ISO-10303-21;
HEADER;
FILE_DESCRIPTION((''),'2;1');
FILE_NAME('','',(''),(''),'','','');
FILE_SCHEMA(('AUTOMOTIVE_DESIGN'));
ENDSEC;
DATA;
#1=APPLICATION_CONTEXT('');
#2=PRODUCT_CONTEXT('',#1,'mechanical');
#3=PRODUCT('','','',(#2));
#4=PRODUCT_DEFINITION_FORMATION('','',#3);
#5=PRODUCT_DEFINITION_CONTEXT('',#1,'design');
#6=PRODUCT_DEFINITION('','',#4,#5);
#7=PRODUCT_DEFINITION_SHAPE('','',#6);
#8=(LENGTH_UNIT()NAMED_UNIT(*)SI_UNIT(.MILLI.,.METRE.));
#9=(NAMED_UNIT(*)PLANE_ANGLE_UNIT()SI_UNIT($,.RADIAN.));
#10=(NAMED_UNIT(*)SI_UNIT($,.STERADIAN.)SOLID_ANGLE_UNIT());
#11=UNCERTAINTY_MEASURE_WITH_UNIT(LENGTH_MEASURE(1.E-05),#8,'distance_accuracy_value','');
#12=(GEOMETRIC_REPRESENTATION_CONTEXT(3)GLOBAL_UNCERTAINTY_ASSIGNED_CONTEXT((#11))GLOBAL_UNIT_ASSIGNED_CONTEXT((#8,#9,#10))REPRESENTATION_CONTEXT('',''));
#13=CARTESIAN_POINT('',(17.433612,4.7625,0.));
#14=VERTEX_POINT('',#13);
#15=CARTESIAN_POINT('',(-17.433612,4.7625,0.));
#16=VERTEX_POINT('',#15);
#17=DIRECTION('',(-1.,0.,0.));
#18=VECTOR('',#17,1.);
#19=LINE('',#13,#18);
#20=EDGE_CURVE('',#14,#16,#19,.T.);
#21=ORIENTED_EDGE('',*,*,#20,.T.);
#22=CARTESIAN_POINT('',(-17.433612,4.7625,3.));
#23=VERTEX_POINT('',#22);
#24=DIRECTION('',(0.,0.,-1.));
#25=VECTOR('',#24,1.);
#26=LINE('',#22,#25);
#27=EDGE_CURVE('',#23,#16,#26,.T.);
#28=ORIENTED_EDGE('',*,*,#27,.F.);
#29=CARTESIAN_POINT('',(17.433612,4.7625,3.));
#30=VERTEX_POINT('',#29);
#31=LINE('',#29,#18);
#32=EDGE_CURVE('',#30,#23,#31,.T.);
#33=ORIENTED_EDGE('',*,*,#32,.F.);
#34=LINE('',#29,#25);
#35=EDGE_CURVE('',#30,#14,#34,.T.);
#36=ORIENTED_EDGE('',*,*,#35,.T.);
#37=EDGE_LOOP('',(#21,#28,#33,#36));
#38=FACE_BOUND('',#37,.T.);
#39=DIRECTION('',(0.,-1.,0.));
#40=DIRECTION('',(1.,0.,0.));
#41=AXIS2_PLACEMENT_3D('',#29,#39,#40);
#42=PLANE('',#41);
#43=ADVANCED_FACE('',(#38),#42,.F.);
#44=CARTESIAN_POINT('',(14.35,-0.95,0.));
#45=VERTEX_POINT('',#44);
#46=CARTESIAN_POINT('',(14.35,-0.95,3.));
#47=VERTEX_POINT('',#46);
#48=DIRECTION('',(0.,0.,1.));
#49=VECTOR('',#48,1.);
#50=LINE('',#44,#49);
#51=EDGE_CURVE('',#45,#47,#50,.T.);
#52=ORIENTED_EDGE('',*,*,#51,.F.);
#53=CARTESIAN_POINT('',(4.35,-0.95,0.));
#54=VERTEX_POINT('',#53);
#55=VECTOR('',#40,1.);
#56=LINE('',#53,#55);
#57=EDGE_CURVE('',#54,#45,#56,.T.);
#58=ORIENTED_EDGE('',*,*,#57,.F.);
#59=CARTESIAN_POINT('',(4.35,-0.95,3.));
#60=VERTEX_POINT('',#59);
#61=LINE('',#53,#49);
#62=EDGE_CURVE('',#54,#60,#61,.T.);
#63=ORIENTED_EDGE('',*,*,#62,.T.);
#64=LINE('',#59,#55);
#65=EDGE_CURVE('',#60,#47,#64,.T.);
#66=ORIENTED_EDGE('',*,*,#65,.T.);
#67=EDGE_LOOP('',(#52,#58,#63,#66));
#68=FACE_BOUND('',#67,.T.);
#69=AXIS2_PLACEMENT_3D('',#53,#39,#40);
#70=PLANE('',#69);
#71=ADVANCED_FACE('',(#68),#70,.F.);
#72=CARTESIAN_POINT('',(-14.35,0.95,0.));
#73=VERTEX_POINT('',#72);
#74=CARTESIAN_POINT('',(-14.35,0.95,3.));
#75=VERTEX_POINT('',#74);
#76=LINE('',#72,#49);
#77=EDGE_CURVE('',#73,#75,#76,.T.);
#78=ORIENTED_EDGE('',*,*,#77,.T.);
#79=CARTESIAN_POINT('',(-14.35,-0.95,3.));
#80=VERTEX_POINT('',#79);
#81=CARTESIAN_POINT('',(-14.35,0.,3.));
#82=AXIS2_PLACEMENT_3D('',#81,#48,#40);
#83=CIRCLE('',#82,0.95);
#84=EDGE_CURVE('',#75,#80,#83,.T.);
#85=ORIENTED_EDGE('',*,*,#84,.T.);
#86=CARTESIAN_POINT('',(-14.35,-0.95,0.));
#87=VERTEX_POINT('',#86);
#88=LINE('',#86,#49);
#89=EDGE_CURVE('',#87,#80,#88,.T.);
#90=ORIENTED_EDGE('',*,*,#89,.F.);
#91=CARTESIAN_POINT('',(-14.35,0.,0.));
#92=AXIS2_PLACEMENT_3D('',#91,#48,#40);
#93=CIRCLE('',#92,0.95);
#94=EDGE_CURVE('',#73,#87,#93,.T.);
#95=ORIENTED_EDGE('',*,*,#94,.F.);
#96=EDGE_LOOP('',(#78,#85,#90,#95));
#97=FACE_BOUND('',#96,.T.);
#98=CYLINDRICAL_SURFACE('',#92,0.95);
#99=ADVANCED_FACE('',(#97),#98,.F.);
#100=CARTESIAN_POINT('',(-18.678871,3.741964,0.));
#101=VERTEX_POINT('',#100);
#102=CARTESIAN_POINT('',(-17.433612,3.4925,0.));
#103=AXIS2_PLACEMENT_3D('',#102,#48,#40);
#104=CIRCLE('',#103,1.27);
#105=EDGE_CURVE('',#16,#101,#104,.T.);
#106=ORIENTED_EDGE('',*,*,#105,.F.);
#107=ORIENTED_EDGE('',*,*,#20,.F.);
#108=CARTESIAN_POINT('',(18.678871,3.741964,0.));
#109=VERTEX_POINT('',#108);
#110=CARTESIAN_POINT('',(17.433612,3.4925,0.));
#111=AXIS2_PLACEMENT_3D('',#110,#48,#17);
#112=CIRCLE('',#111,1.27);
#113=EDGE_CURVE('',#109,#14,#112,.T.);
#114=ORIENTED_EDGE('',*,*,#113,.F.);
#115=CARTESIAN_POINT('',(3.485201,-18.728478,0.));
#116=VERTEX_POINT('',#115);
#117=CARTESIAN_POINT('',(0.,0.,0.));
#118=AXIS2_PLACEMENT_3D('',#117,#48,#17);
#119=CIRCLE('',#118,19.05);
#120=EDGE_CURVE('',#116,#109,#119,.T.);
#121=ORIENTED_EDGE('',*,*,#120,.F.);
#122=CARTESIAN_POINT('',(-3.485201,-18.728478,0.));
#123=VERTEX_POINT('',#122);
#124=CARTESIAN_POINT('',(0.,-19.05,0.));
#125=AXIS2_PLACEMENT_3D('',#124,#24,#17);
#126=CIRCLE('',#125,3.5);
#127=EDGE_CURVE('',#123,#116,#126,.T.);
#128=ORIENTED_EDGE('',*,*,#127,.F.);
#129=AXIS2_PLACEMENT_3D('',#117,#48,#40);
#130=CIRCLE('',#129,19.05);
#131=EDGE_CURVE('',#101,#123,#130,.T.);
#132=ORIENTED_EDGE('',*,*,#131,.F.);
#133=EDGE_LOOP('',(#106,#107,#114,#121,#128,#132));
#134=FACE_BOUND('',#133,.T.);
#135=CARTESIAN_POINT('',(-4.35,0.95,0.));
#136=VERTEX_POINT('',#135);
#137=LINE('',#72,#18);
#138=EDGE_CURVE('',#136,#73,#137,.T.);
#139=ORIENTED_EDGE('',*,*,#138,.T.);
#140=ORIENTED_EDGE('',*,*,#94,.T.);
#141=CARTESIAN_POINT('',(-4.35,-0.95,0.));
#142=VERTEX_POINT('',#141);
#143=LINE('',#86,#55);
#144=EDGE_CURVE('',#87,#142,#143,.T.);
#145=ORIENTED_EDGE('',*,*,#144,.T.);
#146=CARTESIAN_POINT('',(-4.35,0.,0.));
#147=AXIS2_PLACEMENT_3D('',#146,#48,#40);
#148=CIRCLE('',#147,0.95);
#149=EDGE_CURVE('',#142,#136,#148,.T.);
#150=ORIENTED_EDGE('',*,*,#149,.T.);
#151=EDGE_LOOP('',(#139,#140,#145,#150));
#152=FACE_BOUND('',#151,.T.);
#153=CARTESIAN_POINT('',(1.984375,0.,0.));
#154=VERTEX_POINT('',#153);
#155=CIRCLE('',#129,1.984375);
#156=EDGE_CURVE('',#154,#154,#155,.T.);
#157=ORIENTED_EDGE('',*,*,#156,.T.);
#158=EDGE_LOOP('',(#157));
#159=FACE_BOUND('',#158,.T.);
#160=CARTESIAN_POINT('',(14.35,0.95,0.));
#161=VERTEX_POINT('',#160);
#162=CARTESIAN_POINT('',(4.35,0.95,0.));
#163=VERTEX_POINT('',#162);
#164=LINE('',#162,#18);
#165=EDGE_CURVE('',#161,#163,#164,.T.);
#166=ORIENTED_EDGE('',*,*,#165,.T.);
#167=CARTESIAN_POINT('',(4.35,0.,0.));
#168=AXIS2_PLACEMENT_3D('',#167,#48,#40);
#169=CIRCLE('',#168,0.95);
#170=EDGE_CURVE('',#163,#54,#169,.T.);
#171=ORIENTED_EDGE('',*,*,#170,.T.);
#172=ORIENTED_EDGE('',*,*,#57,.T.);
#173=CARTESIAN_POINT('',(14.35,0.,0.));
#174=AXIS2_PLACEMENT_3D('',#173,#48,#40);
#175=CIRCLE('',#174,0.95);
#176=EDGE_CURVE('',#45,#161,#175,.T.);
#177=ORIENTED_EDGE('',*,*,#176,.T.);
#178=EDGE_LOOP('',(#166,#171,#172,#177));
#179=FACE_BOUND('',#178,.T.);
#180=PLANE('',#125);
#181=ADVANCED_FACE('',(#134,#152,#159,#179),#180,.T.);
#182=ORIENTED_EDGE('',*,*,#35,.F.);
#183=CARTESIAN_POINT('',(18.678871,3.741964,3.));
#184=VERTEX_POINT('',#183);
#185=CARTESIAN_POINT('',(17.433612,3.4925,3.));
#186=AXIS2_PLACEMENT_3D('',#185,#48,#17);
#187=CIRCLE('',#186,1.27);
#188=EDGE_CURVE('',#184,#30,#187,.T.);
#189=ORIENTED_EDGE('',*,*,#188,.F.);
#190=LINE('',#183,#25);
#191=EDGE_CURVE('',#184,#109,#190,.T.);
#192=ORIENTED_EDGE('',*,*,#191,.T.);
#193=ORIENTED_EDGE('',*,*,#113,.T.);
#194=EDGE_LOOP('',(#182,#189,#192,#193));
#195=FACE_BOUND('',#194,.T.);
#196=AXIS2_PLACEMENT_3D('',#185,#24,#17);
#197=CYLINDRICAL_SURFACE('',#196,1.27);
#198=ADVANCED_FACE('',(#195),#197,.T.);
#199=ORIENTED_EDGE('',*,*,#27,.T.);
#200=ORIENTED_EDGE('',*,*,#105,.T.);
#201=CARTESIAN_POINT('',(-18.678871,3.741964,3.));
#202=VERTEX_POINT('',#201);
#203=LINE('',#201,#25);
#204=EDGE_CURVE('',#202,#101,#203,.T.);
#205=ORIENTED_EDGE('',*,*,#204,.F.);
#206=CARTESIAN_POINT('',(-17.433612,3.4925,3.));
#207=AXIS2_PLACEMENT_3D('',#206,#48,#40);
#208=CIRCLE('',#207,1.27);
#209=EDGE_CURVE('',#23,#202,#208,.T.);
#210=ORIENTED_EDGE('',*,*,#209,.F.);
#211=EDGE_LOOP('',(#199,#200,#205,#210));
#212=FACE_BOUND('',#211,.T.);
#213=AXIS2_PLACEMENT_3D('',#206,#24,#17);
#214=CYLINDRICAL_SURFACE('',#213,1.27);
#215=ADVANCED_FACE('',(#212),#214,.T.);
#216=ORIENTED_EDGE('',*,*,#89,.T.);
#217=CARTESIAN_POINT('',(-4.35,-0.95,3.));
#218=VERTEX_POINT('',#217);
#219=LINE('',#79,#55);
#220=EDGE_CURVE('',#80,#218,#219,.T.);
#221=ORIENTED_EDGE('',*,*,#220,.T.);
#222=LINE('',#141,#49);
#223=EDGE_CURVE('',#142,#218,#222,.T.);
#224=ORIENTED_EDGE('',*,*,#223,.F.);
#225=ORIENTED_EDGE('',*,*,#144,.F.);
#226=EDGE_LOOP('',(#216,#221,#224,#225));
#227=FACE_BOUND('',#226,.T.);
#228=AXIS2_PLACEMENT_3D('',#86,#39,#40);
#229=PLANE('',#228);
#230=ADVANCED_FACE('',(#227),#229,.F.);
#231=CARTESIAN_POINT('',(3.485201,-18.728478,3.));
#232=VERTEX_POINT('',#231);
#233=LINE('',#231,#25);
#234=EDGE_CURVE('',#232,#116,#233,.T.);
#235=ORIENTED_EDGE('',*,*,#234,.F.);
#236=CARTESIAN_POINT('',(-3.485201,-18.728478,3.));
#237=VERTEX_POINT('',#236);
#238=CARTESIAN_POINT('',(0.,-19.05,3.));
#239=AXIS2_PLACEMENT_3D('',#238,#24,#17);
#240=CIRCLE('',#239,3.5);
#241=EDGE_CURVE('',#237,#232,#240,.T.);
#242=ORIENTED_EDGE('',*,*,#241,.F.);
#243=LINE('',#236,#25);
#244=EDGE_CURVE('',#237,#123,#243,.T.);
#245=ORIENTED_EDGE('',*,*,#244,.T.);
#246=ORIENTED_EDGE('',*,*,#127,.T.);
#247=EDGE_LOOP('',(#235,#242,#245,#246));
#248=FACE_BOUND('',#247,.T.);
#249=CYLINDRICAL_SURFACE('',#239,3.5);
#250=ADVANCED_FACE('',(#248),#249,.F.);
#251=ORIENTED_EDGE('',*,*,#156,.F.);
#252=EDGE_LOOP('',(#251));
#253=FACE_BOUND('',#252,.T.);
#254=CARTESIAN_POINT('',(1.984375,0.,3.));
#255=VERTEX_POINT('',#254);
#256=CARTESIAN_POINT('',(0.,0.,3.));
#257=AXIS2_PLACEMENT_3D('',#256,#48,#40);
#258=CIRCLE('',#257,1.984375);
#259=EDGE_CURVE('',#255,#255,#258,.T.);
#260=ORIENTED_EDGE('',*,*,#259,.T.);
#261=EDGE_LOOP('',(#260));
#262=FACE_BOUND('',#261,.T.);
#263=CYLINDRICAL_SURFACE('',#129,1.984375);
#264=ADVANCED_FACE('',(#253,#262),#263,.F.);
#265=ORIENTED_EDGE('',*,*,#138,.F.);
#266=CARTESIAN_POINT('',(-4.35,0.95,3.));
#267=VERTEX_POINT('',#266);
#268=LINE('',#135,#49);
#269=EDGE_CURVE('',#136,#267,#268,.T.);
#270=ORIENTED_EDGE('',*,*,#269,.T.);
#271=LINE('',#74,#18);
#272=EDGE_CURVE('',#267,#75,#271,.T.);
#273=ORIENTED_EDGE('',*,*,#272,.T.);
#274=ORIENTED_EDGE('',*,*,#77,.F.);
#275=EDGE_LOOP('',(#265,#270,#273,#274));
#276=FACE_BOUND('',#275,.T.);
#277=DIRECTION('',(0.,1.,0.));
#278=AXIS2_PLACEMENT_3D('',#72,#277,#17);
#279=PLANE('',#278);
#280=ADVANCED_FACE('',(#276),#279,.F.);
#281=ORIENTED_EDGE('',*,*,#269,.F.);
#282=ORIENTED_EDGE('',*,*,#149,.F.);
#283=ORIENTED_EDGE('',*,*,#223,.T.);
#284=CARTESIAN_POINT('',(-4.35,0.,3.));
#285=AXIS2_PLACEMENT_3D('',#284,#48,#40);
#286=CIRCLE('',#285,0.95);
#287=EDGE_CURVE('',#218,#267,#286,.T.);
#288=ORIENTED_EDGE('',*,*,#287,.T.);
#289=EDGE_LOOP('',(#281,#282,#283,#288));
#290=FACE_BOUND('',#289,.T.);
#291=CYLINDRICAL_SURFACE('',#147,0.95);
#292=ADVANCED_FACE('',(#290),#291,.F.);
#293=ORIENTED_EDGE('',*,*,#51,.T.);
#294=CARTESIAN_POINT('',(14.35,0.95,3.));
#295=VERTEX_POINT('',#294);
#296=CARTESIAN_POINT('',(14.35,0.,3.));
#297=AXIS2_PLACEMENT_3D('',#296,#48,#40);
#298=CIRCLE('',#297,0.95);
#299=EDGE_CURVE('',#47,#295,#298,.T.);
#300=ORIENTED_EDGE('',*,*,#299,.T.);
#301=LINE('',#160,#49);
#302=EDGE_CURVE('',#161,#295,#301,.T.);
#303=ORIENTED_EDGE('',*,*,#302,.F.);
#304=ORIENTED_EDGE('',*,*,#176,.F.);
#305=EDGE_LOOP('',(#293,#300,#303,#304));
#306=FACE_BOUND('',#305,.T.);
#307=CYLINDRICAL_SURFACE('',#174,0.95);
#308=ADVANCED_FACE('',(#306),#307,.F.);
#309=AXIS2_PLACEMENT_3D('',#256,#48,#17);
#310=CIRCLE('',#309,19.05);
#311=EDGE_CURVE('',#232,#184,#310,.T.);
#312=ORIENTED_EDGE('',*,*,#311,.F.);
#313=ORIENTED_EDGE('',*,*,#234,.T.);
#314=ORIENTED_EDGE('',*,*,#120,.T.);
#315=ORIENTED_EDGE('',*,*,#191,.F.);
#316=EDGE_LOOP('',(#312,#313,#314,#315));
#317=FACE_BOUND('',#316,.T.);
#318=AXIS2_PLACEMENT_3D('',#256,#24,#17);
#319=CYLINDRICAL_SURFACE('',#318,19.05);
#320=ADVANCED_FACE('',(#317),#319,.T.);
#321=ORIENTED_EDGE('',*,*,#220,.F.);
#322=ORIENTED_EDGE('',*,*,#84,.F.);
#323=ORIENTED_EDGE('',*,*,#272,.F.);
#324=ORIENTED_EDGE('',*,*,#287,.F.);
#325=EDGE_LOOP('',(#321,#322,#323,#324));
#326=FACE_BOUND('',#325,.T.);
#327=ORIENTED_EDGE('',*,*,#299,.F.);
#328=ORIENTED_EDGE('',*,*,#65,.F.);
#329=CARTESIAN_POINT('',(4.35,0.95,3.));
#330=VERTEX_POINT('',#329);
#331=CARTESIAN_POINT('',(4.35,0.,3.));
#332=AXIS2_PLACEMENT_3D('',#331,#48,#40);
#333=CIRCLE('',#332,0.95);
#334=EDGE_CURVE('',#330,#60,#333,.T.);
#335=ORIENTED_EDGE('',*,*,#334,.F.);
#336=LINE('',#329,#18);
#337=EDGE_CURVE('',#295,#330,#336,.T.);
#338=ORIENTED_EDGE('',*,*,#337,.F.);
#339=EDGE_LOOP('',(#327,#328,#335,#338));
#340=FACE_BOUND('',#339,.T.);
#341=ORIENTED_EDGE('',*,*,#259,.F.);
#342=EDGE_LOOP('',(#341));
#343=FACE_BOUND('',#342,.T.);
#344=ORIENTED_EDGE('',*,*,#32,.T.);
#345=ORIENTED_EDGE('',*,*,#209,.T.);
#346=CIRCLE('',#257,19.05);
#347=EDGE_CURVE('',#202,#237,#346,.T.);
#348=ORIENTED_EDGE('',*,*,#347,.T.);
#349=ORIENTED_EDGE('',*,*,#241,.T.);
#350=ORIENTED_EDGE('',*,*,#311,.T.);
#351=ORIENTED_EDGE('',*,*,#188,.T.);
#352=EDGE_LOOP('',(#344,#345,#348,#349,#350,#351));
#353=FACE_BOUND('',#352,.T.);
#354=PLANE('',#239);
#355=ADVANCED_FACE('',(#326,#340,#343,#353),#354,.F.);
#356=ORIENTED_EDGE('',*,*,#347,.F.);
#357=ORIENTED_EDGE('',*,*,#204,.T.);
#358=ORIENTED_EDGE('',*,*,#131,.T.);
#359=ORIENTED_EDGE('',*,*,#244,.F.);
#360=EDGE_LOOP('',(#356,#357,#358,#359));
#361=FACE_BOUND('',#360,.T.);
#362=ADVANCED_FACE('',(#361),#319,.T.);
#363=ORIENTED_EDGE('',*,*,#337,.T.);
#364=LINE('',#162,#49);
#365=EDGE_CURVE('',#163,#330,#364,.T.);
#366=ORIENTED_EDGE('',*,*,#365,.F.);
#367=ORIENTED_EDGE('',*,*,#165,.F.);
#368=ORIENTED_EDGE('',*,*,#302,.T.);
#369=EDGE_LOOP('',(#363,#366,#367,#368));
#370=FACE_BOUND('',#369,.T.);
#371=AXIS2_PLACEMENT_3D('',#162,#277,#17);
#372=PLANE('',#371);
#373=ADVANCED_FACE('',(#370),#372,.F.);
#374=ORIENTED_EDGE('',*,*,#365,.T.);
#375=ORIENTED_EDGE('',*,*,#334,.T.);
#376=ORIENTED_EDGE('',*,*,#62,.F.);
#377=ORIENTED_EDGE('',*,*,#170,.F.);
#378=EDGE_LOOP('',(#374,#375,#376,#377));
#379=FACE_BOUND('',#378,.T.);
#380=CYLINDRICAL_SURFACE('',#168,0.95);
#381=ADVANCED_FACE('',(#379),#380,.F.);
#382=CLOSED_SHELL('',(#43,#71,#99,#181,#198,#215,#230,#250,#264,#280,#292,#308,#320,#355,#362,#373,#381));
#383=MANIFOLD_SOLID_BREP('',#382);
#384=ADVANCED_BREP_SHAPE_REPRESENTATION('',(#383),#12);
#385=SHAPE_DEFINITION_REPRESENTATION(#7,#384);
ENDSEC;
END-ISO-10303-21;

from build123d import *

# Parameters (mm, degrees)
BOSS_EXTRUDE1_DEPTH = 3
SKETCH4_R           = 1.984375
CUT_EXTRUDE2_DEPTH  = 27.882306013


with BuildPart() as part:
    # Sketch1 → Boss-Extrude1 (new body)
    with BuildSketch(Plane.XY):
        with BuildLine():
            Line((17.43361247, 4.7625), (-17.43361247, 4.7625))
            ThreePointArc((-17.43361247, 4.7625), (-18.238621898, 4.474772784), (-18.678870503, 3.741964286))
            ThreePointArc((-18.678870503, 3.741964286), (-15.78105519, -10.670557487), (-3.485200626, -18.72847769))
            ThreePointArc((-3.485200626, -18.72847769), (0, -15.55), (3.485200626, -18.72847769))
            ThreePointArc((3.485200626, -18.72847769), (15.78105519, -10.670557487), (18.678870503, 3.741964286))
            ThreePointArc((18.678870503, 3.741964286), (18.238621898, 4.474772784), (17.43361247, 4.7625))
        make_face()
    extrude(amount=BOSS_EXTRUDE1_DEPTH)

    # Sketch4 → Cut-Extrude2 (cut, through all)
    with BuildSketch(Plane.XY.offset(3)):
        Circle(SKETCH4_R)
        with BuildLine():
            Line((-14.350000002, 0.95), (-4.35, 0.95))
            ThreePointArc((-4.35, 0.95), (-3.4, 0), (-4.35, -0.95))
            Line((-4.35, -0.95), (-14.350000002, -0.95))
            ThreePointArc((-14.350000002, -0.95), (-15.300000002, 0), (-14.350000002, 0.95))
        make_face()
        with BuildLine():
            Line((4.35, 0.95), (14.350000002, 0.95))
            ThreePointArc((14.350000002, 0.95), (15.300000002, 0), (14.350000002, -0.95))
            Line((14.350000002, -0.95), (4.35, -0.95))
            ThreePointArc((4.35, -0.95), (3.4, 0), (4.35, 0.95))
        make_face()
    extrude(amount=-CUT_EXTRUDE2_DEPTH, mode=Mode.SUBTRACT)


solid = part.part
